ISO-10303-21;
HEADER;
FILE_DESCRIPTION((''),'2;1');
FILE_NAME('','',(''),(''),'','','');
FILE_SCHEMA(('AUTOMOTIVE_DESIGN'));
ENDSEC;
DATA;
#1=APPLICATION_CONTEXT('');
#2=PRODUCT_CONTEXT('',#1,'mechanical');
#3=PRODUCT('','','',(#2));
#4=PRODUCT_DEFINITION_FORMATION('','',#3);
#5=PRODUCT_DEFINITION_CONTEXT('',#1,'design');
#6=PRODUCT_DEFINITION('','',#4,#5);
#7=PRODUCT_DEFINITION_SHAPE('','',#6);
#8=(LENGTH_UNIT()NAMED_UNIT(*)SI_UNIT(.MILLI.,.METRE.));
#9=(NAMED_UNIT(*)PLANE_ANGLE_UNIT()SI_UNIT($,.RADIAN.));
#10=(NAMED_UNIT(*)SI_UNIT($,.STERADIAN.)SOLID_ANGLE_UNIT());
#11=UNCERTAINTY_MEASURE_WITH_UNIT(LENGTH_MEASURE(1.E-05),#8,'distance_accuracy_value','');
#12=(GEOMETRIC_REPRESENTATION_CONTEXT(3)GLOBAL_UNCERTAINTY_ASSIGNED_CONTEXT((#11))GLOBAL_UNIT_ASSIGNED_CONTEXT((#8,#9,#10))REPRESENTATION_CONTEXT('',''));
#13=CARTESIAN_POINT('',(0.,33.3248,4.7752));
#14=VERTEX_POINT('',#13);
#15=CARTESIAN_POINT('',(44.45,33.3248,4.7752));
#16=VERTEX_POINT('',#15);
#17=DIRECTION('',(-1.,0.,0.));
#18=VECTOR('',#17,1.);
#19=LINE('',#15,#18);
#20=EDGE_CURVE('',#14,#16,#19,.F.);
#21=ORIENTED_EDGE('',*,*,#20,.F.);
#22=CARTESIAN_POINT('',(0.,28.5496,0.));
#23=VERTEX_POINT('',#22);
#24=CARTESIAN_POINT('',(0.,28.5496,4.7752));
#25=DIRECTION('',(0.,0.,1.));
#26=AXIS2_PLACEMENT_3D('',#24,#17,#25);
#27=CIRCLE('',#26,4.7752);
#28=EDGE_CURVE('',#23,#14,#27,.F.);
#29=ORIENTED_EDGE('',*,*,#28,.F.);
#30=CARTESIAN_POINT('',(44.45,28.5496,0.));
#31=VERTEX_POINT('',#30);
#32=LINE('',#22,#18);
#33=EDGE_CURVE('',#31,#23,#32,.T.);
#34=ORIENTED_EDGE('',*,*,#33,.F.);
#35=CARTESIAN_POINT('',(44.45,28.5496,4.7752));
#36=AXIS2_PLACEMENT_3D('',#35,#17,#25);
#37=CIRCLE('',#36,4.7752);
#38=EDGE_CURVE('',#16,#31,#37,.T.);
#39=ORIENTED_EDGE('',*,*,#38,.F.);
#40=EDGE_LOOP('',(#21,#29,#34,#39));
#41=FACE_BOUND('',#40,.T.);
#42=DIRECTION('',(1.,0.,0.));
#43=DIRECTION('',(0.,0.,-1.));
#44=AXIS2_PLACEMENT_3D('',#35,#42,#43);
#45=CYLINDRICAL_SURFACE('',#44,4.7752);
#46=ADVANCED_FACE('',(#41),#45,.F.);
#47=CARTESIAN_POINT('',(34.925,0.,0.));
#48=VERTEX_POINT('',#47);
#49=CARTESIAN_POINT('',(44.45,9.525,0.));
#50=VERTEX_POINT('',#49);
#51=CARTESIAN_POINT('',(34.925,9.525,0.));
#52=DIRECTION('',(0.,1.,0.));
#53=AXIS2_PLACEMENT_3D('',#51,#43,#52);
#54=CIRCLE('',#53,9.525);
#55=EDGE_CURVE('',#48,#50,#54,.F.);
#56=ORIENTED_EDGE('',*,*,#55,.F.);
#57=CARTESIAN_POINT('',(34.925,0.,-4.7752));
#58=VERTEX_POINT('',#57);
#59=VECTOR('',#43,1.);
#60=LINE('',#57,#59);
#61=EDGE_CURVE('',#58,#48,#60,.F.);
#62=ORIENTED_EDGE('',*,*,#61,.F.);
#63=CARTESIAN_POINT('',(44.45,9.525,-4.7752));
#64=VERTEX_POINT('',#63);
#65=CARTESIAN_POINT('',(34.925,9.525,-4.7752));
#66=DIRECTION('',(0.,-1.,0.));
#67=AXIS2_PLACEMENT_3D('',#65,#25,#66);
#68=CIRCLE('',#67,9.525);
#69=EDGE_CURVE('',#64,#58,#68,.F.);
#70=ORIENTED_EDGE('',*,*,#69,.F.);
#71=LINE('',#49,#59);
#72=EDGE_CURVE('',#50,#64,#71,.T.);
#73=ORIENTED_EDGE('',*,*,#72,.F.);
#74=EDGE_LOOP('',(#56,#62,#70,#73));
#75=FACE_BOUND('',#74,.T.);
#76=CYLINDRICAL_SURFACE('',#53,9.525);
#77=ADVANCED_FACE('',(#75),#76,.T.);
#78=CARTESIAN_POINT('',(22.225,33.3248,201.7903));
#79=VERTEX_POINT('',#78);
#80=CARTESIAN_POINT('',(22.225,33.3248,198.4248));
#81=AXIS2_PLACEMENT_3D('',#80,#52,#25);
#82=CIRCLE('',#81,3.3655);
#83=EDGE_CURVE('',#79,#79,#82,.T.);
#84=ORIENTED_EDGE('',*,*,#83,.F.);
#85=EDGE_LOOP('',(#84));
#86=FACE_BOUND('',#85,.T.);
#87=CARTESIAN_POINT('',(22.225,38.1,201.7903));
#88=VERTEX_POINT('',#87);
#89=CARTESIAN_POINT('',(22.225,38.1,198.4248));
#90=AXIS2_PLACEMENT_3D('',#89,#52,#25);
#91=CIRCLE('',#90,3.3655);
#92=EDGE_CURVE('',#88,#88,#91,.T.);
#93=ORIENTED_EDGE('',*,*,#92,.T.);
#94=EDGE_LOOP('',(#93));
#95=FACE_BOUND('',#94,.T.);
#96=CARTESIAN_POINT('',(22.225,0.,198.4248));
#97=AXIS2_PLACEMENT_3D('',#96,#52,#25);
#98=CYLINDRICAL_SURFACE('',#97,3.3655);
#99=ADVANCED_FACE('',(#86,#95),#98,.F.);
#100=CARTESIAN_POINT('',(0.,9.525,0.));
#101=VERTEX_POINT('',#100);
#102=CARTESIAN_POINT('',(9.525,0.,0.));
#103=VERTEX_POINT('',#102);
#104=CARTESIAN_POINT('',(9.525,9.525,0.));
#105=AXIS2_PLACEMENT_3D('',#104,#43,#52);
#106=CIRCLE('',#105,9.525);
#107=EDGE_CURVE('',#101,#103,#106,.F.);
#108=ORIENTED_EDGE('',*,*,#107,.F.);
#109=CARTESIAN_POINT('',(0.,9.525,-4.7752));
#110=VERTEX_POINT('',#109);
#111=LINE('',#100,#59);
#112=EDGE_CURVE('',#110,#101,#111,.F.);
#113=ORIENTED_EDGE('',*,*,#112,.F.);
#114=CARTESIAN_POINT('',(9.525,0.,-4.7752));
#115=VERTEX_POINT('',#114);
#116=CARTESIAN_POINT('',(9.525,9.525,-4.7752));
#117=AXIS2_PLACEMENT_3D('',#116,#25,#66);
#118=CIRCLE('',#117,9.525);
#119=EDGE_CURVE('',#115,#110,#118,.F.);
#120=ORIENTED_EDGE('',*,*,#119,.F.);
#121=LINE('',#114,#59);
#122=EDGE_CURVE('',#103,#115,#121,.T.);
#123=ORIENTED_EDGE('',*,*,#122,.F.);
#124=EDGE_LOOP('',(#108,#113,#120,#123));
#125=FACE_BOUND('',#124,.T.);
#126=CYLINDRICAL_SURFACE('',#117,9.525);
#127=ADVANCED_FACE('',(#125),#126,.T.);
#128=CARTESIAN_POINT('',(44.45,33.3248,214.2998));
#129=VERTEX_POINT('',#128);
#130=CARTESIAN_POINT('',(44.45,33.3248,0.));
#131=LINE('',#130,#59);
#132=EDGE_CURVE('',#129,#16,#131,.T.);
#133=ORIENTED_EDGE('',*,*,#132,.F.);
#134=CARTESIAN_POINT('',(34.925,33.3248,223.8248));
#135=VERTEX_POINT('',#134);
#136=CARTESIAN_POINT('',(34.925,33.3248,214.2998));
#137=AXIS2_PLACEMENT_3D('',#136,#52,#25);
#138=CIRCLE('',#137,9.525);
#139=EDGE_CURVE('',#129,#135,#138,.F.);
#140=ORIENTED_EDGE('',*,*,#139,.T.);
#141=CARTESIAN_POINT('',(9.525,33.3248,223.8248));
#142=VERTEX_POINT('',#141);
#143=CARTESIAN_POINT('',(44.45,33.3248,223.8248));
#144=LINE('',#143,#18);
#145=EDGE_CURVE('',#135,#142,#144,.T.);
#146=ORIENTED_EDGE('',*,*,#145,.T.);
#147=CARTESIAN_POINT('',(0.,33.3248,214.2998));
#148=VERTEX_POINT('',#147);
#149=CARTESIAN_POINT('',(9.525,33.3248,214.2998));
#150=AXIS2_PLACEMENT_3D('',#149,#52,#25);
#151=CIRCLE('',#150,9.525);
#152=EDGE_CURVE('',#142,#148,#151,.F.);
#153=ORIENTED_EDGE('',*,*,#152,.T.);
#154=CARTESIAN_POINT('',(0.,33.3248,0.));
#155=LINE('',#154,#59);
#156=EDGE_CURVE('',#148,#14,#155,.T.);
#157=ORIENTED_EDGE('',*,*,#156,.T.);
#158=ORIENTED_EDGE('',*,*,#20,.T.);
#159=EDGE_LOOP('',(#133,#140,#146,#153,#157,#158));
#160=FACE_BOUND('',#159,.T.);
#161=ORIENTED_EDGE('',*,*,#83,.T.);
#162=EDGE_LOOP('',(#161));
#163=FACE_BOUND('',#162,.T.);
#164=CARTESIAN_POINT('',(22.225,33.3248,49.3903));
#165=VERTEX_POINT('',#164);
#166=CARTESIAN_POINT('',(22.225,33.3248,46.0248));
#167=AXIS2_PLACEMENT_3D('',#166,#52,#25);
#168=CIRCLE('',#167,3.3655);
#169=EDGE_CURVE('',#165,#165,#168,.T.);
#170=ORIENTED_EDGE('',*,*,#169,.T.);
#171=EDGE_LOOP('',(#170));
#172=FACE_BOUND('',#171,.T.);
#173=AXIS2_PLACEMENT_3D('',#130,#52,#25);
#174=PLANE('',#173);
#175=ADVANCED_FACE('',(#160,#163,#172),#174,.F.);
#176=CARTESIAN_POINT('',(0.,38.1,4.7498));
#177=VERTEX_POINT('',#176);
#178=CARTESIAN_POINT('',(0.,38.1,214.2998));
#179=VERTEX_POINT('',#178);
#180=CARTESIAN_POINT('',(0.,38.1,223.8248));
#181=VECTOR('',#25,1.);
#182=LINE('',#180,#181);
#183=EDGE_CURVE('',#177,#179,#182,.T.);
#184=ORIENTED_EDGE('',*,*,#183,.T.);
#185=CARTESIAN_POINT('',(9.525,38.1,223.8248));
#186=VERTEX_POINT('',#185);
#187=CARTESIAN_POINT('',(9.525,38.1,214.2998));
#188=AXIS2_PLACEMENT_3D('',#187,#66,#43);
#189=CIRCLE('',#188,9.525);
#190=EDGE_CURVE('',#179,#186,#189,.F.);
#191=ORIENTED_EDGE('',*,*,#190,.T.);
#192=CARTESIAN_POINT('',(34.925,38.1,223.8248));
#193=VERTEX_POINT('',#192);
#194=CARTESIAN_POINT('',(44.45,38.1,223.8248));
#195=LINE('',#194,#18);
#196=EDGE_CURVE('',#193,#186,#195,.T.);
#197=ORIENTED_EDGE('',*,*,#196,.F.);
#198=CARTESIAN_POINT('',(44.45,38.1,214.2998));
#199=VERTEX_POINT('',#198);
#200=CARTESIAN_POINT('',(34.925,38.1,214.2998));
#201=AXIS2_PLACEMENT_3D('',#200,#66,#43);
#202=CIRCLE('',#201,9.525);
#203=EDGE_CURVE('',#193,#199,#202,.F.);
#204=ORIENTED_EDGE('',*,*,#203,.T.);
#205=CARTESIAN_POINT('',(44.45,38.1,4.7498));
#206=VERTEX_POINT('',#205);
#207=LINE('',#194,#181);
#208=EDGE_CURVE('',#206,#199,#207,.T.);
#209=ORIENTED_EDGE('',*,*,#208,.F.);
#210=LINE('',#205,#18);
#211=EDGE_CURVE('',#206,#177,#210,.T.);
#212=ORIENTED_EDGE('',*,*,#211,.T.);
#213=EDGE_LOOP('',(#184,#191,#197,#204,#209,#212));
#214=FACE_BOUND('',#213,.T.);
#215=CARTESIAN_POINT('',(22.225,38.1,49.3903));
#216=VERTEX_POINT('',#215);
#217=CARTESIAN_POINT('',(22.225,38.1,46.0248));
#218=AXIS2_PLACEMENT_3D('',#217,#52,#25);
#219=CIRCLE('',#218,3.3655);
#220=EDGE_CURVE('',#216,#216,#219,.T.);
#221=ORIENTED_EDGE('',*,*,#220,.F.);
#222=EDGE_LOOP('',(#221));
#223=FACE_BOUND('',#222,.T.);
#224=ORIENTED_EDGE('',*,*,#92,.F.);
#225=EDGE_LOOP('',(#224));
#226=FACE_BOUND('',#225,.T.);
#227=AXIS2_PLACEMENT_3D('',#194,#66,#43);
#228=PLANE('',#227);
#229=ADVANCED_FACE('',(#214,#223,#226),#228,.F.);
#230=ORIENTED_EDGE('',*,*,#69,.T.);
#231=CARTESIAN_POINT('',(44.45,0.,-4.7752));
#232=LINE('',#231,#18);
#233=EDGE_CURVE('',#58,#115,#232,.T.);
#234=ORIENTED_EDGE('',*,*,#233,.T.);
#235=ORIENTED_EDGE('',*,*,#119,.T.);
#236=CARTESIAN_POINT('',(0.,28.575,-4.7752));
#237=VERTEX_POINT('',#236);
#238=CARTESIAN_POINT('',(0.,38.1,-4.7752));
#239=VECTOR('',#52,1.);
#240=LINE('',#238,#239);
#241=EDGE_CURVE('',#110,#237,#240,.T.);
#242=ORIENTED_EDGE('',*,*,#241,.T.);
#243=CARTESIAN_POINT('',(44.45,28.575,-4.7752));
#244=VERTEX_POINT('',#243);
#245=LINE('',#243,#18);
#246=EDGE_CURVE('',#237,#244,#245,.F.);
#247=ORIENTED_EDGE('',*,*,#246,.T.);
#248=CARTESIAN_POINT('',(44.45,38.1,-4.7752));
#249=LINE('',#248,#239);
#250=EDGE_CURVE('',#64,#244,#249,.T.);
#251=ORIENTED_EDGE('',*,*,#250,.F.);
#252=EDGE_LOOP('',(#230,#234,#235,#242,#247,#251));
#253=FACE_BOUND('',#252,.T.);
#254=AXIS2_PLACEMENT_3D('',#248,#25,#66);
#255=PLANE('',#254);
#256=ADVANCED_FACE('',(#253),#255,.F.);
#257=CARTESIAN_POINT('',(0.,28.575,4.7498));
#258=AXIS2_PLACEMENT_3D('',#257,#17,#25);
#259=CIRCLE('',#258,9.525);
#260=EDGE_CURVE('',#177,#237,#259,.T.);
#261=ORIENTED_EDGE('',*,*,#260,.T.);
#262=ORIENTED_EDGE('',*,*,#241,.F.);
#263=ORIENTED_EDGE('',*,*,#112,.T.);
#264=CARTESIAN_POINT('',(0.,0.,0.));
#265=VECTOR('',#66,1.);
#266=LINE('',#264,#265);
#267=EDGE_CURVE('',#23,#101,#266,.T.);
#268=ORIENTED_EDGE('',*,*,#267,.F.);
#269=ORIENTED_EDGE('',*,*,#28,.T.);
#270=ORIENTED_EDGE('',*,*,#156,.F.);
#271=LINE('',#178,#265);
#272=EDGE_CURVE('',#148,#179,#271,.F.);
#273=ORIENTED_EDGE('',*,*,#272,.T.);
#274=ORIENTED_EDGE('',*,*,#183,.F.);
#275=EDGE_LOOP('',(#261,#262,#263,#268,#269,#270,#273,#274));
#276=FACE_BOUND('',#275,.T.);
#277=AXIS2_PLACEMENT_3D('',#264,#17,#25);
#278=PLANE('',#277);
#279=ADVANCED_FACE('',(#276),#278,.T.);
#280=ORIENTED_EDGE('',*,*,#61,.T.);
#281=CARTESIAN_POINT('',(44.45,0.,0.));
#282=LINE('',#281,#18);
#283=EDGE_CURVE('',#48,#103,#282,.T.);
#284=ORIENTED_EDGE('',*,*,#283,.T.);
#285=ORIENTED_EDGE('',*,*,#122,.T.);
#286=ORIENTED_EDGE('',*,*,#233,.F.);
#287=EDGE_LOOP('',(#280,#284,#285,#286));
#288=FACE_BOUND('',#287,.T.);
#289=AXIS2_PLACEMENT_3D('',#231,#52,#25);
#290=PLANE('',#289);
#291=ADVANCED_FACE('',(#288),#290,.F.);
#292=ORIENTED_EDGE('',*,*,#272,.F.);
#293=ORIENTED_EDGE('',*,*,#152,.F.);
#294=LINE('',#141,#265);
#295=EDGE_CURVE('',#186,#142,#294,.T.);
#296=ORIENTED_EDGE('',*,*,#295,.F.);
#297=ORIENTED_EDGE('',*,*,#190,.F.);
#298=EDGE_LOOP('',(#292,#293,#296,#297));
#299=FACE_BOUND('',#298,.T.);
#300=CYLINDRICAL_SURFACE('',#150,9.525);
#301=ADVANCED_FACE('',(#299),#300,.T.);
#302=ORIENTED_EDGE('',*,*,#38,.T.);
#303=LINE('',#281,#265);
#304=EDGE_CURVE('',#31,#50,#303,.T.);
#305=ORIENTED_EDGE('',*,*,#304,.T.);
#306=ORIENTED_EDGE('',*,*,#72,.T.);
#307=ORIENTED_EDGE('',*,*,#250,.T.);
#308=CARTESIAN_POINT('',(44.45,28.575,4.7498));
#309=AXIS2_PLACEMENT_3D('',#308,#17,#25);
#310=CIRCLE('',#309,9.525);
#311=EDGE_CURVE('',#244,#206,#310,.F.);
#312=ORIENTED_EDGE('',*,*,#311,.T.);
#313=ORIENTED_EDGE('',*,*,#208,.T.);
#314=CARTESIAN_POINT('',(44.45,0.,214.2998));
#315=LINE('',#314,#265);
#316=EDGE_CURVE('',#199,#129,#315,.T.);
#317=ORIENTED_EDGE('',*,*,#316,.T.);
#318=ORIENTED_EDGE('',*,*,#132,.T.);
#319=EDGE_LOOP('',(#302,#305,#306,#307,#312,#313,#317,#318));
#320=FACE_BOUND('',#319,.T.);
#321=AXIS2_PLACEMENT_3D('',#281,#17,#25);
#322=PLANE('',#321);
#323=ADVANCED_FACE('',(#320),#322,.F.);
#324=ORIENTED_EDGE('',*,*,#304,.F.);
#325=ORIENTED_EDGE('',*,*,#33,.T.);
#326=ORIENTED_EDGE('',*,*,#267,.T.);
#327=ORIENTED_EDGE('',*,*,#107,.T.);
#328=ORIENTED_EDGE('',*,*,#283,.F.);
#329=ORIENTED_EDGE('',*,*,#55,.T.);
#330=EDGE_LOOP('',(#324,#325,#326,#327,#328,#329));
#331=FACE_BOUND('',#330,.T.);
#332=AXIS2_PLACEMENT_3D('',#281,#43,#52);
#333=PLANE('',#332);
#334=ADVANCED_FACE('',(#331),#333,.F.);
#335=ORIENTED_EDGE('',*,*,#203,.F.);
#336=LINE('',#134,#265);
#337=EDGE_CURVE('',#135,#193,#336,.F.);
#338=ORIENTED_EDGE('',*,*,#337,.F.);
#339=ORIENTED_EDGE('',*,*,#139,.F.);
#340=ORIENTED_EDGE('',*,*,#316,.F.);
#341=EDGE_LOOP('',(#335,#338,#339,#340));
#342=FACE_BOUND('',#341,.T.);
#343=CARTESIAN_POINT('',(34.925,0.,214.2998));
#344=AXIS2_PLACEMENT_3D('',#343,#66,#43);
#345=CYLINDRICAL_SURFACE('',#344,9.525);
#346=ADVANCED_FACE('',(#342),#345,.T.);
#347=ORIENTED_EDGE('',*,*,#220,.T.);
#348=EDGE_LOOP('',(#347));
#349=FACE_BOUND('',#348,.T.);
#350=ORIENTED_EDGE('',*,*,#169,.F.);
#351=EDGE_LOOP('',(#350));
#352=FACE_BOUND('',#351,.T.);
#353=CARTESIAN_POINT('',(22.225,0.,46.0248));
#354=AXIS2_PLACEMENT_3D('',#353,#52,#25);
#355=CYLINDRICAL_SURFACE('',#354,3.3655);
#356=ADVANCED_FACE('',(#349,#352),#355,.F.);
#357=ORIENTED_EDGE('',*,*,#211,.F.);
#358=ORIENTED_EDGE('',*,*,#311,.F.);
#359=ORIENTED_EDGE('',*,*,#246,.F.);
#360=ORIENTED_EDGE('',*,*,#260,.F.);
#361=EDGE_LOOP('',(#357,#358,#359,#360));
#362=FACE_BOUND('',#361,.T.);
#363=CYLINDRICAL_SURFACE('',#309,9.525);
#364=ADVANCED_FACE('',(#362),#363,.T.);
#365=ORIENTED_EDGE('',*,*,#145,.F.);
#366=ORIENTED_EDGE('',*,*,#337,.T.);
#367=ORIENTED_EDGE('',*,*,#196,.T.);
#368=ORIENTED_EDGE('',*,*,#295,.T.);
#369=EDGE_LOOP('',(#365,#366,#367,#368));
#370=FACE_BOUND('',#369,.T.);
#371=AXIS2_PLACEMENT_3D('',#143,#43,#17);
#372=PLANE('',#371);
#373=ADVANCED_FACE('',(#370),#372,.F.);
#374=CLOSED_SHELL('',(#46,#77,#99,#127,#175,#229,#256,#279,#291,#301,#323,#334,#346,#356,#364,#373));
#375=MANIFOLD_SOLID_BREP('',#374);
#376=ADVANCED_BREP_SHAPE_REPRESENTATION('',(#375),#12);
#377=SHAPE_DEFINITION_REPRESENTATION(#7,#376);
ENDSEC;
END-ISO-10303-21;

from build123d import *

# Parameters (mm, degrees)
BOSS_EXTRUDE1_DEPTH = 44.45
FILLET1_R           = 4.7752
FILLET2_R           = 9.525
FILLET3_R           = 9.525
SKETCH2_R           = 3.3655
CUT_EXTRUDE1_DEPTH  = 39.1


with BuildPart() as part:
    # Sketch1 → Boss-Extrude1 (new body)
    with BuildSketch(Plane(origin=(0, 0, 0), x_dir=(0, 0, -1), z_dir=(1, 0, 0))):
        Polygon((0, 0), (0, 33.3248), (-223.8248, 33.3248), (-223.8248, 38.1), (4.7752, 38.1), (4.7752, 0), align=None)
    extrude(amount=BOSS_EXTRUDE1_DEPTH)

    # Fillet1
    fillet1_edges = [part.edges().sort_by_distance(p)[0] for p in [
        (22.225, 33.3248, 0),
    ]]
    fillet(fillet1_edges, radius=FILLET1_R)

    # Fillet2
    fillet2_edges = [part.edges().sort_by_distance(p)[0] for p in [
        (22.225, 38.1, -4.7752),
    ]]
    fillet(fillet2_edges, radius=FILLET2_R)

    # Fillet3
    fillet3_edges = [part.edges().sort_by_distance(p)[0] for p in [
        (44.45, 35.7124, 223.8248),
        (44.45, 0, -2.3876),
        (0, 35.7124, 223.8248),
        (0, 0, -2.3876),
    ]]
    fillet(fillet3_edges, radius=FILLET3_R)

    # Sketch2 → Cut-Extrude1 (cut, through all)
    with BuildSketch(Plane(origin=(0, 38.1, 0), x_dir=(1, 0, 0), z_dir=(0, 1, 0))):
        with Locations((22.225, -198.4248)):
            Circle(SKETCH2_R)
        with Locations((22.225, -46.0248)):
            Circle(SKETCH2_R)
    extrude(amount=-CUT_EXTRUDE1_DEPTH, mode=Mode.SUBTRACT)


solid = part.part
